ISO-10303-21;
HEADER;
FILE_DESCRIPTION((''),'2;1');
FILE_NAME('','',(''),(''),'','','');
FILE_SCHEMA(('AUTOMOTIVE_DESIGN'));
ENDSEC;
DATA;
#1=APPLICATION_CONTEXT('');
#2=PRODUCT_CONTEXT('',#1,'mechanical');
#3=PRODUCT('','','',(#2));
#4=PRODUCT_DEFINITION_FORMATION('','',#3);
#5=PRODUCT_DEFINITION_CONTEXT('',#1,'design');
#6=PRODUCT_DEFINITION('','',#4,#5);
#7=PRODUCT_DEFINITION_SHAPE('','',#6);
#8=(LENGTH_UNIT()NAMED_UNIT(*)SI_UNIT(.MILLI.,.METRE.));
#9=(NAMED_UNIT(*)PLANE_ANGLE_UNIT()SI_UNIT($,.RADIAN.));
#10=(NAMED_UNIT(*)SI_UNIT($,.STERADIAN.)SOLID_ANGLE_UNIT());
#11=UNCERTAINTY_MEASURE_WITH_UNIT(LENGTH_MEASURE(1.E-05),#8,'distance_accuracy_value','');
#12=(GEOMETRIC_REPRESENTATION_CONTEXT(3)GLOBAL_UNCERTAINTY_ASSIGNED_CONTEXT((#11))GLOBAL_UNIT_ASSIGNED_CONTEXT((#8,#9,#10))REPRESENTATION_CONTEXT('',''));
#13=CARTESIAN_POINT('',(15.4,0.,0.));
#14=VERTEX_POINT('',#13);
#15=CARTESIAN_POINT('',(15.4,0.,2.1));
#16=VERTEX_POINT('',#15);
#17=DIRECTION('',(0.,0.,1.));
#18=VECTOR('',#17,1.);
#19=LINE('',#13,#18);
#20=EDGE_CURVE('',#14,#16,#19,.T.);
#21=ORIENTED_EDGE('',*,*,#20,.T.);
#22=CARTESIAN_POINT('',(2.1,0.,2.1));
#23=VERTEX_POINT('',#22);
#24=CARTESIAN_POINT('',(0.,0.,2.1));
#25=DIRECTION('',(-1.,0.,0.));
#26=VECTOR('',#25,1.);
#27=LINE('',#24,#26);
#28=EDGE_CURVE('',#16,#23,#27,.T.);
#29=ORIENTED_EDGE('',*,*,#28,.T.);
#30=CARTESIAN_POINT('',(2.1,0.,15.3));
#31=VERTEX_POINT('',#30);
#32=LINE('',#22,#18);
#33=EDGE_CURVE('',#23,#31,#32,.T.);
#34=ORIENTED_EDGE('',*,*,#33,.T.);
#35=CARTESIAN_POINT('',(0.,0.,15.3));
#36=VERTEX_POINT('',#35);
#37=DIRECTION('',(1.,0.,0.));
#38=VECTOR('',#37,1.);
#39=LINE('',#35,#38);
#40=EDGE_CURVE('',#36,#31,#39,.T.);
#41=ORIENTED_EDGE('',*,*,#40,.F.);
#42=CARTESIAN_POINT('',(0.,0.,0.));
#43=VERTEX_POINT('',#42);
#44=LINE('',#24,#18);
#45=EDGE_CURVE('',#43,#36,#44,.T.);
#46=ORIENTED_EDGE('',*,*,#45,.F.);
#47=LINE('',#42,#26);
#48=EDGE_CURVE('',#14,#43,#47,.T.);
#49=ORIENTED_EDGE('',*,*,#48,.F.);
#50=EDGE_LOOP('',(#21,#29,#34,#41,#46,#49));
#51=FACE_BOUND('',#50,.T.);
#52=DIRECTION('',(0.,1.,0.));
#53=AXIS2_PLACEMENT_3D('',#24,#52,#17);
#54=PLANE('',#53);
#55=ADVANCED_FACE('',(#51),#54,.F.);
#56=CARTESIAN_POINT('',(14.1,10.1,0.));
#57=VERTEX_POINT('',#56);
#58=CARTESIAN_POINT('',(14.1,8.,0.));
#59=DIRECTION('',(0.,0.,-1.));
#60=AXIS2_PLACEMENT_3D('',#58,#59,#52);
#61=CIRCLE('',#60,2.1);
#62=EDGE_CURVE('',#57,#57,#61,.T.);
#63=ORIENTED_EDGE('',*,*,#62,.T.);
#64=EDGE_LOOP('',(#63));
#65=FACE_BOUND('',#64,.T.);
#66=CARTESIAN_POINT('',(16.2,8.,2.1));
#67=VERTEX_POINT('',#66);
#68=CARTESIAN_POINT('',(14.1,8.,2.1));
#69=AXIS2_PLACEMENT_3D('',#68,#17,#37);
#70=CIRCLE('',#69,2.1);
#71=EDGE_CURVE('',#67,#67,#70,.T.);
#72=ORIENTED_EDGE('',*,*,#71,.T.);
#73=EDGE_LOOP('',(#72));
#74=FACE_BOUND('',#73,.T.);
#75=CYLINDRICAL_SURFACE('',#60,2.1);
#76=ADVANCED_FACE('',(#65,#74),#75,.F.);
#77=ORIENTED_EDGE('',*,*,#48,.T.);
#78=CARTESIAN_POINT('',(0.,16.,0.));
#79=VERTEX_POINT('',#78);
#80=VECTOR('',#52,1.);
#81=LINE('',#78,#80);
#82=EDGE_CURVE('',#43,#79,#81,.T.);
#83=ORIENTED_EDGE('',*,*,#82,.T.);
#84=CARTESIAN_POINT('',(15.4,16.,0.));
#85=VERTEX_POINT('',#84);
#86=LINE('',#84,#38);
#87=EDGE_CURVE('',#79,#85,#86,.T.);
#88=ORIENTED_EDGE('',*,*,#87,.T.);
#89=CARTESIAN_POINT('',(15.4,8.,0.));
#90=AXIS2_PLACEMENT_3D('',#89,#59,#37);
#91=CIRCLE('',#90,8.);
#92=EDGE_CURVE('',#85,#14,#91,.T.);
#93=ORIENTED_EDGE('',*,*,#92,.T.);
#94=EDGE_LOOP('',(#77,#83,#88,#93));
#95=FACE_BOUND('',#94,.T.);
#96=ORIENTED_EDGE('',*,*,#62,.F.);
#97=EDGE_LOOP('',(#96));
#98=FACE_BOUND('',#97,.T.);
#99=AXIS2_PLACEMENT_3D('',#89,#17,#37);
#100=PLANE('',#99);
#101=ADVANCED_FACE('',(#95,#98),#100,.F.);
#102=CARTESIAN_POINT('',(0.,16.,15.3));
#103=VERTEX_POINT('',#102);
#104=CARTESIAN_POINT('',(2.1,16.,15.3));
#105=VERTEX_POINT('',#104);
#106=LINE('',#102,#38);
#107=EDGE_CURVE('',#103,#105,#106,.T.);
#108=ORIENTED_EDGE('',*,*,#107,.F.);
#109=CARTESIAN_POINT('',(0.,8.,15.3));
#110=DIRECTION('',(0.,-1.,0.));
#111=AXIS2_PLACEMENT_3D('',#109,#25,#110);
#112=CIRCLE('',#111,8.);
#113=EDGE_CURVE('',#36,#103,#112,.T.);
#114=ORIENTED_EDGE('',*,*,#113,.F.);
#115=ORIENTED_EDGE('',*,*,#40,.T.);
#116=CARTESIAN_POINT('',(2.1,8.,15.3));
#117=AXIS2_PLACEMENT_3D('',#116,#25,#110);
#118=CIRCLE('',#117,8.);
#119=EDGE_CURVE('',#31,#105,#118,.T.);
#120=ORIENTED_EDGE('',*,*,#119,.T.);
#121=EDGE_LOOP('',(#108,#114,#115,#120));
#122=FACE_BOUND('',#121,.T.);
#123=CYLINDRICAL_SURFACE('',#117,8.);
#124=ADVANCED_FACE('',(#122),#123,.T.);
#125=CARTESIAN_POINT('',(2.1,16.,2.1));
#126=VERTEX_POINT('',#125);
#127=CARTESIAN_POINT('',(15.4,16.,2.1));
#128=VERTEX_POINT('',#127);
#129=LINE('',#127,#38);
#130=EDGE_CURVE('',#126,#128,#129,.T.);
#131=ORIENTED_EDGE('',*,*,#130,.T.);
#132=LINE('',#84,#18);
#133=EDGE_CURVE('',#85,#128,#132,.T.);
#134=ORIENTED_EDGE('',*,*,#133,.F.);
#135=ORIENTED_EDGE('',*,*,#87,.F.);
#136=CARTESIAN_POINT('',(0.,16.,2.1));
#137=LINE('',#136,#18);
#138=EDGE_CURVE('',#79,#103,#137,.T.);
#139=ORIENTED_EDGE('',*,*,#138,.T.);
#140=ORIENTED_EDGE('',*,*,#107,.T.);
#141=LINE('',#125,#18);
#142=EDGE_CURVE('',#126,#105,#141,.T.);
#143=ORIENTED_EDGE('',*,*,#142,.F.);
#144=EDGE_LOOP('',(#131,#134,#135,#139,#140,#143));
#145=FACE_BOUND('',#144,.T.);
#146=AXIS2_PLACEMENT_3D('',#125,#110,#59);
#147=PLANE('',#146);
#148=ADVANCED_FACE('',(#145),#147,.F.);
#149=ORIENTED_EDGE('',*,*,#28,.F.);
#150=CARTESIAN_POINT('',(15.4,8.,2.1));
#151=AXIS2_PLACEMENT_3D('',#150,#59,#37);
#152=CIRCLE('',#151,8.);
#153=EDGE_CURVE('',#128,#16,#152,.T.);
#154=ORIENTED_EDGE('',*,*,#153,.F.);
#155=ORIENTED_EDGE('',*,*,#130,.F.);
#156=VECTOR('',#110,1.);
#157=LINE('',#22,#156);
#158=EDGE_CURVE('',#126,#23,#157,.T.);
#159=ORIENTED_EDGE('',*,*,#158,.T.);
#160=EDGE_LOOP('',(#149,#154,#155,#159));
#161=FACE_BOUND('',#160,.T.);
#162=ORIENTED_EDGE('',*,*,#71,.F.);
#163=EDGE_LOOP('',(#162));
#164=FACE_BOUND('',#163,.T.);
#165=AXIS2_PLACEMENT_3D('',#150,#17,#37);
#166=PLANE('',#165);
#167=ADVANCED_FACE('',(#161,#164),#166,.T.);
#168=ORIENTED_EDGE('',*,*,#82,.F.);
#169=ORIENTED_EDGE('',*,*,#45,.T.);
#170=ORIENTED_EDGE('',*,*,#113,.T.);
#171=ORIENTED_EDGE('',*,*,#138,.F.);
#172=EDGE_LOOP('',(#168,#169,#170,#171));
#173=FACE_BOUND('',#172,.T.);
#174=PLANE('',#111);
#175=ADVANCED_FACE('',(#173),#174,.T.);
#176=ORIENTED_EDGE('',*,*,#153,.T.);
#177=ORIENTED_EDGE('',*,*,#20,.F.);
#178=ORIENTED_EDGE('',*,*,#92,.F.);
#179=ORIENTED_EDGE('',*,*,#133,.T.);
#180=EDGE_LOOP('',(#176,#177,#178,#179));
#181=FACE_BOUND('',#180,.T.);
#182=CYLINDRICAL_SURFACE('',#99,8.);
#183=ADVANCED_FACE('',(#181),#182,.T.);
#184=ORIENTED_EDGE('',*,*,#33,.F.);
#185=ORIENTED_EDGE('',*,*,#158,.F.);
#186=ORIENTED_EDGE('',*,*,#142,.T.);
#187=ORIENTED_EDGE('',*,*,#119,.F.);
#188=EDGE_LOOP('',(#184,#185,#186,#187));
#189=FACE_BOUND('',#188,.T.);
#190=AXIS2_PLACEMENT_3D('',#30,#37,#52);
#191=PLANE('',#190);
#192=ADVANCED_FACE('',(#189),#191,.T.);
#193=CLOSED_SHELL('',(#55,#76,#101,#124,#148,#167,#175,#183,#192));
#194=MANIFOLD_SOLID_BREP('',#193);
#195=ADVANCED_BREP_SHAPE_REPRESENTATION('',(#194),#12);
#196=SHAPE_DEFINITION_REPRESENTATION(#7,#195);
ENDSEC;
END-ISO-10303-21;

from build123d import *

# Parameters (mm, degrees)
SKETCH1_W                      = 2.1
SKETCH1_H                      = 8
REVOLVE1_ANGLE                 = 180
SKETCH2_W                      = 2.1
SKETCH2_H                      = 16
BOSS_EXTRUDE1_DEPTH            = 13.2
BOSS_EXTRUDE2_DEPTH            = 2.1
F_4_2_4_2_DIAMETER_HOLE1_D     = 4.2
F_4_2_4_2_DIAMETER_HOLE1_DEPTH = 23.3


with BuildPart() as part:
    # Sketch1 → Revolve1 (revolve)
    with BuildSketch(Plane(origin=(0, 0, 15.3), x_dir=(-1, 0, 0), z_dir=(0, 0, -1))):
        with Locations((-1.05, 12)):
            Rectangle(SKETCH1_W, SKETCH1_H)
    revolve(axis=Axis((2.1, 8, 15.3), (1, 0, 0)), revolution_arc=REVOLVE1_ANGLE)

    # Sketch2 → Boss-Extrude1 (add)
    with BuildSketch(Plane(origin=(0, 0, 15.3), x_dir=(-1, 0, 0), z_dir=(0, 0, -1))):
        with Locations((-1.05, 8)):
            Rectangle(SKETCH2_W, SKETCH2_H)
    extrude(amount=BOSS_EXTRUDE1_DEPTH)

    # Sketch3 → Boss-Extrude2 (add)
    with BuildSketch(Plane(origin=(0, 0, 2.1), x_dir=(-1, 0, 0), z_dir=(0, 0, -1))):
        with BuildLine():
            Line((-15.4, 16), (0, 16))
            Line((0, 16), (0, 0))
            Line((0, 0), (-15.4, 0))
            ThreePointArc((-15.4, 0), (-23.4, 8), (-15.4, 16))
        make_face()
    extrude(amount=BOSS_EXTRUDE2_DEPTH)

    # Ø4.2 (4.2) Diameter Hole1
    with Locations(Plane(origin=(0, 0, 0), x_dir=(-1, 0, 0), z_dir=(0, 0, -1))):
        with Locations((-14.1, 8)):
            Hole(F_4_2_4_2_DIAMETER_HOLE1_D / 2, depth=F_4_2_4_2_DIAMETER_HOLE1_DEPTH)


solid = part.part
